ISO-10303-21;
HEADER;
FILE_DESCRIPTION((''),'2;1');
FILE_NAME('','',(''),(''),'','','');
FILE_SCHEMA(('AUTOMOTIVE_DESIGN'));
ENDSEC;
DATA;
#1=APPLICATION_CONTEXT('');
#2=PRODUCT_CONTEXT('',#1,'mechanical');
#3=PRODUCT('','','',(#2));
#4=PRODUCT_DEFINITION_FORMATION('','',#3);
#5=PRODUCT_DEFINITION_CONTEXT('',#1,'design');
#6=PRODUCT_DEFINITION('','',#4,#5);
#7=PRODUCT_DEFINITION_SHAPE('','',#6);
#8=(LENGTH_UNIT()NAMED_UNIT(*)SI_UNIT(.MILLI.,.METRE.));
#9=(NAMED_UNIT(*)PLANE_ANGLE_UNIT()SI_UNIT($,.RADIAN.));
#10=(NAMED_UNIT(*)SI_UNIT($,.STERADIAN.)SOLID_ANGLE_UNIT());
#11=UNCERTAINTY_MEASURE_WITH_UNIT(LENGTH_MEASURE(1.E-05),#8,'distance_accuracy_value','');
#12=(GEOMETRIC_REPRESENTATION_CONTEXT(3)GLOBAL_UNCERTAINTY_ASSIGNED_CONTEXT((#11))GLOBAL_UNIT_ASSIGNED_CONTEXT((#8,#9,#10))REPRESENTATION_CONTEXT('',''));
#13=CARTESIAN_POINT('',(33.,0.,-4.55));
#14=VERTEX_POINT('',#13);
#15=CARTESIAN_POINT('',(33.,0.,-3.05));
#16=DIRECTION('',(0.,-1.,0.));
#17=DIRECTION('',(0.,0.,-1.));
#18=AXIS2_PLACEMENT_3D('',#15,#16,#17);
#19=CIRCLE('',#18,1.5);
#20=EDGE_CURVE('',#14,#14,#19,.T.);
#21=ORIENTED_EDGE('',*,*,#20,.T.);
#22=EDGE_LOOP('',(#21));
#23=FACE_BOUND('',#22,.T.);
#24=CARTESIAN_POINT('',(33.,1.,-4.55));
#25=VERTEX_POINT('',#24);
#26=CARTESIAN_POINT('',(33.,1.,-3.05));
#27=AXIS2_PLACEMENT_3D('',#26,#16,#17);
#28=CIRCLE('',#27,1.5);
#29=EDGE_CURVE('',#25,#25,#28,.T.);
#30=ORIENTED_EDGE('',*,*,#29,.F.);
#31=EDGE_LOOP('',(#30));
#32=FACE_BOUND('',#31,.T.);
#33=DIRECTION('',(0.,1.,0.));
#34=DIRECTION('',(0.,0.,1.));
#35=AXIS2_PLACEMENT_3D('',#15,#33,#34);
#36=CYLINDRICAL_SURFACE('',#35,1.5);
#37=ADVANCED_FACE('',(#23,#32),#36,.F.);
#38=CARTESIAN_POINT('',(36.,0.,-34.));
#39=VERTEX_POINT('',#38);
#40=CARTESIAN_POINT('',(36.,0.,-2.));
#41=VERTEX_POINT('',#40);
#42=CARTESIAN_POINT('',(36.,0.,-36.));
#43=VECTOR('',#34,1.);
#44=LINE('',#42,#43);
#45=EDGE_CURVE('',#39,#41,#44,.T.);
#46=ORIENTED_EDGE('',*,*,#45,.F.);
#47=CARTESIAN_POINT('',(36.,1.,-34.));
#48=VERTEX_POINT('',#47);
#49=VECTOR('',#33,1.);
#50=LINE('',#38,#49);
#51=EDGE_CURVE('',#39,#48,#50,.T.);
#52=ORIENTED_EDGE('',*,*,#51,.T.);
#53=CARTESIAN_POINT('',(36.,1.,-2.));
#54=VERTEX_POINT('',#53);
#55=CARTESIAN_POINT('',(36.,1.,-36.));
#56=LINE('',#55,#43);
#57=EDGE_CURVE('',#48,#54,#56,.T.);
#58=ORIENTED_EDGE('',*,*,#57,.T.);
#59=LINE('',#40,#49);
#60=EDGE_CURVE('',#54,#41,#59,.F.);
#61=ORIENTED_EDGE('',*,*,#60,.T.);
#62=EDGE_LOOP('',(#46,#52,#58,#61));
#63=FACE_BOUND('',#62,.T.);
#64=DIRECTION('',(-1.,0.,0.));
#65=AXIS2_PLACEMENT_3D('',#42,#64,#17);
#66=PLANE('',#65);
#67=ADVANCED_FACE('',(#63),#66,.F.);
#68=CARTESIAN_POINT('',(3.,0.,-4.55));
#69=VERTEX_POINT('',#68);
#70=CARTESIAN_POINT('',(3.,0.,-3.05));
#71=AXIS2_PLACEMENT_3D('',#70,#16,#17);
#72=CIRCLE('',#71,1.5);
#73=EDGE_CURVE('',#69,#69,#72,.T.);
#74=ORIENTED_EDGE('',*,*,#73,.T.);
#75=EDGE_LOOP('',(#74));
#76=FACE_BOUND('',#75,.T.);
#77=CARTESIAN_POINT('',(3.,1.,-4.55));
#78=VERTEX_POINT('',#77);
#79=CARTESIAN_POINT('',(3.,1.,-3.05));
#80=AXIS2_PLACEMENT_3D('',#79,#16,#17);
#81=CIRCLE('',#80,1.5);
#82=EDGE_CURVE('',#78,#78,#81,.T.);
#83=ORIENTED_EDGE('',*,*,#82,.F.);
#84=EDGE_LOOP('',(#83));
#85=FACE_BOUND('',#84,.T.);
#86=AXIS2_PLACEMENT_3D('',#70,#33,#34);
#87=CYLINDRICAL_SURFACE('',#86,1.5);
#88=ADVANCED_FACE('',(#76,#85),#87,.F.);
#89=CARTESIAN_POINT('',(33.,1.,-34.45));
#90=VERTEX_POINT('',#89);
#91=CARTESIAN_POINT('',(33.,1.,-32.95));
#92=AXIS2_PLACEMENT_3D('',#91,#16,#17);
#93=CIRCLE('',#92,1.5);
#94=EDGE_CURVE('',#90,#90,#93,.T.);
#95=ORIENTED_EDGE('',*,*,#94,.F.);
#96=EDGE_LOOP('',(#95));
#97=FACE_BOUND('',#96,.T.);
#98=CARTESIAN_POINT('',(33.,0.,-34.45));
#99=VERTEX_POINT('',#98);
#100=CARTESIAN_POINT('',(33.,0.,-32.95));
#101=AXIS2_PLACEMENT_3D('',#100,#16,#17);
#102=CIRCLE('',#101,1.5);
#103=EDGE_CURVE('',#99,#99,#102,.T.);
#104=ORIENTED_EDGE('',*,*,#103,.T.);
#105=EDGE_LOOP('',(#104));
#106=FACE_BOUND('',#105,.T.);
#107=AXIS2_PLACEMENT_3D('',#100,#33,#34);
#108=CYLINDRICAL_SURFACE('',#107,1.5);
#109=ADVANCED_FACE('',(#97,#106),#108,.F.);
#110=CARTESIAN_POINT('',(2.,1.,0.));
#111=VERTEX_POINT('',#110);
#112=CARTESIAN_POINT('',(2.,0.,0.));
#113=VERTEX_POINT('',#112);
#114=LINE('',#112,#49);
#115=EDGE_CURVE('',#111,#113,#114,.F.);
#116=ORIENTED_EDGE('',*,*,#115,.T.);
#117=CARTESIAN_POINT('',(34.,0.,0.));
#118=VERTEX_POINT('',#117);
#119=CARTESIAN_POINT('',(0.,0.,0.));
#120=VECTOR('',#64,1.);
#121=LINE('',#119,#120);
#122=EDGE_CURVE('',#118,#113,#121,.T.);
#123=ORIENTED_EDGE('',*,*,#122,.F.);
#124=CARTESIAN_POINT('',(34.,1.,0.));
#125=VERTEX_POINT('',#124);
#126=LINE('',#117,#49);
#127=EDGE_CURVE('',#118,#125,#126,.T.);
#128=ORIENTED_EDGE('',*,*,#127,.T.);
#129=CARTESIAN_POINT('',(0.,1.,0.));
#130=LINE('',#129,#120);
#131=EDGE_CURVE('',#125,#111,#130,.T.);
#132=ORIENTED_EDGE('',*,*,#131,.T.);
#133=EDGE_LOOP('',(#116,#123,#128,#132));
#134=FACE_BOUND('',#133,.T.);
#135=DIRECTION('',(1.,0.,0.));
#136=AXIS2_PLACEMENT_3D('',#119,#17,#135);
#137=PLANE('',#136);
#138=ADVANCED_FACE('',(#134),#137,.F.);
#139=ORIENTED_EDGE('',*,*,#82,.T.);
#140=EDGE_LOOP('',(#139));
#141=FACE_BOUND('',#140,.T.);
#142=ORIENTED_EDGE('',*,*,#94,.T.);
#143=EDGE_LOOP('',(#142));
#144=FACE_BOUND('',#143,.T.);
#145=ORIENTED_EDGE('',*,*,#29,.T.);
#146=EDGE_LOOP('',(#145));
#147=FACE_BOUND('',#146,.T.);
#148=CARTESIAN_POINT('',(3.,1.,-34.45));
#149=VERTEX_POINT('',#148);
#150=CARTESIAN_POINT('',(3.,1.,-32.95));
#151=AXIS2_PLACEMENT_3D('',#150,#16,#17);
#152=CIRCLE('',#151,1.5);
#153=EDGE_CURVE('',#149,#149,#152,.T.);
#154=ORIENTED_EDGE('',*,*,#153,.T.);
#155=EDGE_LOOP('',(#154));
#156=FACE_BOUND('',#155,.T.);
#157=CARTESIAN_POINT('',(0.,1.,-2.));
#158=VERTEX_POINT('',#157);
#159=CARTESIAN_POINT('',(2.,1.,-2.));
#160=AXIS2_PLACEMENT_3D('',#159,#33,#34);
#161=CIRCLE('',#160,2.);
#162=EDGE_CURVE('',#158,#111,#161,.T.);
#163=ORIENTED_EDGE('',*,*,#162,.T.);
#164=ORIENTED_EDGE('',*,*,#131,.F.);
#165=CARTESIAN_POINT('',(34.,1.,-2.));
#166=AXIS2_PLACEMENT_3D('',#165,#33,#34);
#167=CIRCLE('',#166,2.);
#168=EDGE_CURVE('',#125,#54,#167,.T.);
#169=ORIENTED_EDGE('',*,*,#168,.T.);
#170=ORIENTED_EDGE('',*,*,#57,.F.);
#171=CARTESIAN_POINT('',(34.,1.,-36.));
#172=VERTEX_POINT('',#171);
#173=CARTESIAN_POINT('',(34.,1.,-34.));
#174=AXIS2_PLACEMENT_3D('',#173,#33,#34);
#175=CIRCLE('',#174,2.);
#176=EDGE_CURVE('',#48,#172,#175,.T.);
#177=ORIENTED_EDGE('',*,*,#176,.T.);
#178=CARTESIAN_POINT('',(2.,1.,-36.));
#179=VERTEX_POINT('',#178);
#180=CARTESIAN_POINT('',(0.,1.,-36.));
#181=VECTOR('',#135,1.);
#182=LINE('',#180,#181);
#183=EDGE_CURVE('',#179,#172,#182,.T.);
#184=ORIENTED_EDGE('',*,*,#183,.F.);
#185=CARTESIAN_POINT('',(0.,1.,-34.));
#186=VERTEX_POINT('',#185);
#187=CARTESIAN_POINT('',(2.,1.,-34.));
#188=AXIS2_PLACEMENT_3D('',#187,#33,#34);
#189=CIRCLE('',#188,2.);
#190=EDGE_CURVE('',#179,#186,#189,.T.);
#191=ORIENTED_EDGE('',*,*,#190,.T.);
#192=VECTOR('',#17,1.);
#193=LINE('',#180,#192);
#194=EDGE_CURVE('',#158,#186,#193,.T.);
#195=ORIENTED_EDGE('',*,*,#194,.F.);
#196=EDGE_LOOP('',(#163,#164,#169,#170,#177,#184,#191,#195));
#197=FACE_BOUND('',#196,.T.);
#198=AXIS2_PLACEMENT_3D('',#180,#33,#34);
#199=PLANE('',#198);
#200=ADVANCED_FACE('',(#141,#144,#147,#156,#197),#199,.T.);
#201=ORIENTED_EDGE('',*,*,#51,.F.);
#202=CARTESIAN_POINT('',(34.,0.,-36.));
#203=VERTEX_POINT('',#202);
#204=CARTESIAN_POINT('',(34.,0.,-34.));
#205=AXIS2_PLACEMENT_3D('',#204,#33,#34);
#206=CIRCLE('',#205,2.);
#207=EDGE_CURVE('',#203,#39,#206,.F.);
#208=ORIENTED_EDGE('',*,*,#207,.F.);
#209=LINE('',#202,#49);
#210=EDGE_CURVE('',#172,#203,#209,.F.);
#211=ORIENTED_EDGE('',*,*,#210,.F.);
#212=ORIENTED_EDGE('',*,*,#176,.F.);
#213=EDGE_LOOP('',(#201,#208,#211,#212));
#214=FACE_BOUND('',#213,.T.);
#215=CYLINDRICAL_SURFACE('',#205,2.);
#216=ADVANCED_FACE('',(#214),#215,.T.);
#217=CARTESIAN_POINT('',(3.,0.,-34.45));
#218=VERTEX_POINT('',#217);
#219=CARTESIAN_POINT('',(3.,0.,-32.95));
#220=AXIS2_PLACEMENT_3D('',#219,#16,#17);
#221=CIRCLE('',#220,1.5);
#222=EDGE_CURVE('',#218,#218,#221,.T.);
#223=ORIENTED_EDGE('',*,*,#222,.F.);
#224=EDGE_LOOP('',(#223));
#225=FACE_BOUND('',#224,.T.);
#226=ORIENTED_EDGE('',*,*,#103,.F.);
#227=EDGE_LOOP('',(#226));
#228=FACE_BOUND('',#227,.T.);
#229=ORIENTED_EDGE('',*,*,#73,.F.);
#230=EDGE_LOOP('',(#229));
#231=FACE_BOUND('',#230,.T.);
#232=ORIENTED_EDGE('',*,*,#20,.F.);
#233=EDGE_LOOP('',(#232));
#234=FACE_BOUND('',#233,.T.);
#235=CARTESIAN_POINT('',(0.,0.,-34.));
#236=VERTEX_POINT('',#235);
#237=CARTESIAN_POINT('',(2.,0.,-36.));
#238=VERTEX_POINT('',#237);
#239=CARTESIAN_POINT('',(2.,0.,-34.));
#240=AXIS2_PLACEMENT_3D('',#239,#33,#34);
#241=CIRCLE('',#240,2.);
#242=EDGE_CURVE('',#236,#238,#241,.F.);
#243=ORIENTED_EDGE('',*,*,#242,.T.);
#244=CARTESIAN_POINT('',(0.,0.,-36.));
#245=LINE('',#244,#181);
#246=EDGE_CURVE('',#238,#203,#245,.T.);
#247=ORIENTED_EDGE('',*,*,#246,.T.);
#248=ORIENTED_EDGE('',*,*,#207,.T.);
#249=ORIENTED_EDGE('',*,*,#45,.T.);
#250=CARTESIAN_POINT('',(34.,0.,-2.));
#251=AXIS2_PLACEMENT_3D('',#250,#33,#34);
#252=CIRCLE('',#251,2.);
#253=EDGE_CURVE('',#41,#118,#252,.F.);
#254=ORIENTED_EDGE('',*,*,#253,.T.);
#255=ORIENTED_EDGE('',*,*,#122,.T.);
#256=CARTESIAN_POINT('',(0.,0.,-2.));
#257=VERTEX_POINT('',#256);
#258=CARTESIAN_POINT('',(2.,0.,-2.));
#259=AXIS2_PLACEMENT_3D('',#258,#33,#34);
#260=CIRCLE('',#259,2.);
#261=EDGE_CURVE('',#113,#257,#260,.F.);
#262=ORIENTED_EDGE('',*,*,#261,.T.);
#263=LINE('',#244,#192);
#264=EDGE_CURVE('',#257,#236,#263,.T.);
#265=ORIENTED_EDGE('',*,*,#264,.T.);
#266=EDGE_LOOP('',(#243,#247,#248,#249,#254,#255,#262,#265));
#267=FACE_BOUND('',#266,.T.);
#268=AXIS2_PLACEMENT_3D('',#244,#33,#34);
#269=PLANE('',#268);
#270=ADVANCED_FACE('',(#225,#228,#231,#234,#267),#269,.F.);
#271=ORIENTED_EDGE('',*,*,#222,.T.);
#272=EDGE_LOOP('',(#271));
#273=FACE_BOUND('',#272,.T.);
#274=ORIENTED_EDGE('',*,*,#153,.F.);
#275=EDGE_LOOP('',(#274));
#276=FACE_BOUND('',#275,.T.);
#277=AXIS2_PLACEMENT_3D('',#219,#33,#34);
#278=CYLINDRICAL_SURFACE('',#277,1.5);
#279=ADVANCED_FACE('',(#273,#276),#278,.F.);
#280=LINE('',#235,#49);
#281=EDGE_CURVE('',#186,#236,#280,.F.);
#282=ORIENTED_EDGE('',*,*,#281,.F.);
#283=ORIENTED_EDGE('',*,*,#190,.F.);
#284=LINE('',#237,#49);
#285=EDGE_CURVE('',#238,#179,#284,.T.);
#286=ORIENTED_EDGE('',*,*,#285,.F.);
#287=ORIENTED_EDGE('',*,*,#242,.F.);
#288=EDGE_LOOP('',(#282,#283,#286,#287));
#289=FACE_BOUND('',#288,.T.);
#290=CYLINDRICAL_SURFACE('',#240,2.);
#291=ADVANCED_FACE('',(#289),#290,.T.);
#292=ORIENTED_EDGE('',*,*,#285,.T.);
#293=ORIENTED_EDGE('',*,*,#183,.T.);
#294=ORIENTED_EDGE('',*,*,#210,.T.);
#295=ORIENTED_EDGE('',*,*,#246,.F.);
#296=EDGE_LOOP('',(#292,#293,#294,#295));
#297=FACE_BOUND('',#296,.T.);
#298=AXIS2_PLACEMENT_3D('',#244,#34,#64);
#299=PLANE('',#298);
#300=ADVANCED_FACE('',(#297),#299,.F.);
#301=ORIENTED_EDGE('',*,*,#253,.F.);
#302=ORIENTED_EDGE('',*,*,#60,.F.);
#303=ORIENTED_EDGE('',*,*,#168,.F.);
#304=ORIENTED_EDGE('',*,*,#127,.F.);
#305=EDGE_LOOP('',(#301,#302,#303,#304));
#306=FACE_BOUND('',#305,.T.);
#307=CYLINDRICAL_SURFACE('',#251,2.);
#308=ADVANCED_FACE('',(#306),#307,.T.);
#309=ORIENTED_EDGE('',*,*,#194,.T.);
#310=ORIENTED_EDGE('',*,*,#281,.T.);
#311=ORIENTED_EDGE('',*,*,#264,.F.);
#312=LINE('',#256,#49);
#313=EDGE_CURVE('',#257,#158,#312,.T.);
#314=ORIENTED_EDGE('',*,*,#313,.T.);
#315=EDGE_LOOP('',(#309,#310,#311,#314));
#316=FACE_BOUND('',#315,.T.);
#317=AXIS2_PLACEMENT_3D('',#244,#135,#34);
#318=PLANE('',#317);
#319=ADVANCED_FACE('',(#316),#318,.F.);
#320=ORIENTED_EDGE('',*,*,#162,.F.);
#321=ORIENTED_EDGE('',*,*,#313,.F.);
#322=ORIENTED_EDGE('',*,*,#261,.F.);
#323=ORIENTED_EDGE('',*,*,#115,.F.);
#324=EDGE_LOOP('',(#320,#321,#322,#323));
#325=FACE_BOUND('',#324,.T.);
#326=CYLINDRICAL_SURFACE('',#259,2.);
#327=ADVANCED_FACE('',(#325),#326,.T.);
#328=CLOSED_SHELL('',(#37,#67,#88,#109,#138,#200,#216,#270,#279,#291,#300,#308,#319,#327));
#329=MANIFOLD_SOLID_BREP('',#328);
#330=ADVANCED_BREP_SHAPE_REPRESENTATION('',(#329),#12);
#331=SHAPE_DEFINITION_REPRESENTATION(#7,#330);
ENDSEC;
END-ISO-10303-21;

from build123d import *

# Parameters (mm, degrees)
SKETCH1_W           = 36
SKETCH1_H           = 36
SKETCH1_R           = 1.5
BOSS_EXTRUDE1_DEPTH = 1
FILLET1_R           = 2


with BuildPart() as part:
    # Sketch1 → Boss-Extrude1 (new body)
    with BuildSketch(Plane(origin=(0, 0, 0), x_dir=(1, 0, 0), z_dir=(0, 1, 0))):
        with Locations((18, 18)):
            Rectangle(SKETCH1_W, SKETCH1_H)
        with Locations(Location((3, 32.95, 0), (0, 0, 270))):
            Circle(SKETCH1_R, mode=Mode.SUBTRACT)
        with Locations(Location((33, 32.95, 0), (0, 0, 270))):
            Circle(SKETCH1_R, mode=Mode.SUBTRACT)
        with Locations(Location((3, 3.05, 0), (0, 0, 270))):
            Circle(SKETCH1_R, mode=Mode.SUBTRACT)
        with Locations(Location((33, 3.05, 0), (0, 0, 270))):
            Circle(SKETCH1_R, mode=Mode.SUBTRACT)
    extrude(amount=BOSS_EXTRUDE1_DEPTH)

    # Fillet1
    fillet1_edges = [part.edges().sort_by_distance(p)[0] for p in [
        (0, 0.5, 0),
        (36, 0.5, 0),
        (36, 0.5, -36),
        (0, 0.5, -36),
    ]]
    fillet(fillet1_edges, radius=FILLET1_R)


solid = part.part
